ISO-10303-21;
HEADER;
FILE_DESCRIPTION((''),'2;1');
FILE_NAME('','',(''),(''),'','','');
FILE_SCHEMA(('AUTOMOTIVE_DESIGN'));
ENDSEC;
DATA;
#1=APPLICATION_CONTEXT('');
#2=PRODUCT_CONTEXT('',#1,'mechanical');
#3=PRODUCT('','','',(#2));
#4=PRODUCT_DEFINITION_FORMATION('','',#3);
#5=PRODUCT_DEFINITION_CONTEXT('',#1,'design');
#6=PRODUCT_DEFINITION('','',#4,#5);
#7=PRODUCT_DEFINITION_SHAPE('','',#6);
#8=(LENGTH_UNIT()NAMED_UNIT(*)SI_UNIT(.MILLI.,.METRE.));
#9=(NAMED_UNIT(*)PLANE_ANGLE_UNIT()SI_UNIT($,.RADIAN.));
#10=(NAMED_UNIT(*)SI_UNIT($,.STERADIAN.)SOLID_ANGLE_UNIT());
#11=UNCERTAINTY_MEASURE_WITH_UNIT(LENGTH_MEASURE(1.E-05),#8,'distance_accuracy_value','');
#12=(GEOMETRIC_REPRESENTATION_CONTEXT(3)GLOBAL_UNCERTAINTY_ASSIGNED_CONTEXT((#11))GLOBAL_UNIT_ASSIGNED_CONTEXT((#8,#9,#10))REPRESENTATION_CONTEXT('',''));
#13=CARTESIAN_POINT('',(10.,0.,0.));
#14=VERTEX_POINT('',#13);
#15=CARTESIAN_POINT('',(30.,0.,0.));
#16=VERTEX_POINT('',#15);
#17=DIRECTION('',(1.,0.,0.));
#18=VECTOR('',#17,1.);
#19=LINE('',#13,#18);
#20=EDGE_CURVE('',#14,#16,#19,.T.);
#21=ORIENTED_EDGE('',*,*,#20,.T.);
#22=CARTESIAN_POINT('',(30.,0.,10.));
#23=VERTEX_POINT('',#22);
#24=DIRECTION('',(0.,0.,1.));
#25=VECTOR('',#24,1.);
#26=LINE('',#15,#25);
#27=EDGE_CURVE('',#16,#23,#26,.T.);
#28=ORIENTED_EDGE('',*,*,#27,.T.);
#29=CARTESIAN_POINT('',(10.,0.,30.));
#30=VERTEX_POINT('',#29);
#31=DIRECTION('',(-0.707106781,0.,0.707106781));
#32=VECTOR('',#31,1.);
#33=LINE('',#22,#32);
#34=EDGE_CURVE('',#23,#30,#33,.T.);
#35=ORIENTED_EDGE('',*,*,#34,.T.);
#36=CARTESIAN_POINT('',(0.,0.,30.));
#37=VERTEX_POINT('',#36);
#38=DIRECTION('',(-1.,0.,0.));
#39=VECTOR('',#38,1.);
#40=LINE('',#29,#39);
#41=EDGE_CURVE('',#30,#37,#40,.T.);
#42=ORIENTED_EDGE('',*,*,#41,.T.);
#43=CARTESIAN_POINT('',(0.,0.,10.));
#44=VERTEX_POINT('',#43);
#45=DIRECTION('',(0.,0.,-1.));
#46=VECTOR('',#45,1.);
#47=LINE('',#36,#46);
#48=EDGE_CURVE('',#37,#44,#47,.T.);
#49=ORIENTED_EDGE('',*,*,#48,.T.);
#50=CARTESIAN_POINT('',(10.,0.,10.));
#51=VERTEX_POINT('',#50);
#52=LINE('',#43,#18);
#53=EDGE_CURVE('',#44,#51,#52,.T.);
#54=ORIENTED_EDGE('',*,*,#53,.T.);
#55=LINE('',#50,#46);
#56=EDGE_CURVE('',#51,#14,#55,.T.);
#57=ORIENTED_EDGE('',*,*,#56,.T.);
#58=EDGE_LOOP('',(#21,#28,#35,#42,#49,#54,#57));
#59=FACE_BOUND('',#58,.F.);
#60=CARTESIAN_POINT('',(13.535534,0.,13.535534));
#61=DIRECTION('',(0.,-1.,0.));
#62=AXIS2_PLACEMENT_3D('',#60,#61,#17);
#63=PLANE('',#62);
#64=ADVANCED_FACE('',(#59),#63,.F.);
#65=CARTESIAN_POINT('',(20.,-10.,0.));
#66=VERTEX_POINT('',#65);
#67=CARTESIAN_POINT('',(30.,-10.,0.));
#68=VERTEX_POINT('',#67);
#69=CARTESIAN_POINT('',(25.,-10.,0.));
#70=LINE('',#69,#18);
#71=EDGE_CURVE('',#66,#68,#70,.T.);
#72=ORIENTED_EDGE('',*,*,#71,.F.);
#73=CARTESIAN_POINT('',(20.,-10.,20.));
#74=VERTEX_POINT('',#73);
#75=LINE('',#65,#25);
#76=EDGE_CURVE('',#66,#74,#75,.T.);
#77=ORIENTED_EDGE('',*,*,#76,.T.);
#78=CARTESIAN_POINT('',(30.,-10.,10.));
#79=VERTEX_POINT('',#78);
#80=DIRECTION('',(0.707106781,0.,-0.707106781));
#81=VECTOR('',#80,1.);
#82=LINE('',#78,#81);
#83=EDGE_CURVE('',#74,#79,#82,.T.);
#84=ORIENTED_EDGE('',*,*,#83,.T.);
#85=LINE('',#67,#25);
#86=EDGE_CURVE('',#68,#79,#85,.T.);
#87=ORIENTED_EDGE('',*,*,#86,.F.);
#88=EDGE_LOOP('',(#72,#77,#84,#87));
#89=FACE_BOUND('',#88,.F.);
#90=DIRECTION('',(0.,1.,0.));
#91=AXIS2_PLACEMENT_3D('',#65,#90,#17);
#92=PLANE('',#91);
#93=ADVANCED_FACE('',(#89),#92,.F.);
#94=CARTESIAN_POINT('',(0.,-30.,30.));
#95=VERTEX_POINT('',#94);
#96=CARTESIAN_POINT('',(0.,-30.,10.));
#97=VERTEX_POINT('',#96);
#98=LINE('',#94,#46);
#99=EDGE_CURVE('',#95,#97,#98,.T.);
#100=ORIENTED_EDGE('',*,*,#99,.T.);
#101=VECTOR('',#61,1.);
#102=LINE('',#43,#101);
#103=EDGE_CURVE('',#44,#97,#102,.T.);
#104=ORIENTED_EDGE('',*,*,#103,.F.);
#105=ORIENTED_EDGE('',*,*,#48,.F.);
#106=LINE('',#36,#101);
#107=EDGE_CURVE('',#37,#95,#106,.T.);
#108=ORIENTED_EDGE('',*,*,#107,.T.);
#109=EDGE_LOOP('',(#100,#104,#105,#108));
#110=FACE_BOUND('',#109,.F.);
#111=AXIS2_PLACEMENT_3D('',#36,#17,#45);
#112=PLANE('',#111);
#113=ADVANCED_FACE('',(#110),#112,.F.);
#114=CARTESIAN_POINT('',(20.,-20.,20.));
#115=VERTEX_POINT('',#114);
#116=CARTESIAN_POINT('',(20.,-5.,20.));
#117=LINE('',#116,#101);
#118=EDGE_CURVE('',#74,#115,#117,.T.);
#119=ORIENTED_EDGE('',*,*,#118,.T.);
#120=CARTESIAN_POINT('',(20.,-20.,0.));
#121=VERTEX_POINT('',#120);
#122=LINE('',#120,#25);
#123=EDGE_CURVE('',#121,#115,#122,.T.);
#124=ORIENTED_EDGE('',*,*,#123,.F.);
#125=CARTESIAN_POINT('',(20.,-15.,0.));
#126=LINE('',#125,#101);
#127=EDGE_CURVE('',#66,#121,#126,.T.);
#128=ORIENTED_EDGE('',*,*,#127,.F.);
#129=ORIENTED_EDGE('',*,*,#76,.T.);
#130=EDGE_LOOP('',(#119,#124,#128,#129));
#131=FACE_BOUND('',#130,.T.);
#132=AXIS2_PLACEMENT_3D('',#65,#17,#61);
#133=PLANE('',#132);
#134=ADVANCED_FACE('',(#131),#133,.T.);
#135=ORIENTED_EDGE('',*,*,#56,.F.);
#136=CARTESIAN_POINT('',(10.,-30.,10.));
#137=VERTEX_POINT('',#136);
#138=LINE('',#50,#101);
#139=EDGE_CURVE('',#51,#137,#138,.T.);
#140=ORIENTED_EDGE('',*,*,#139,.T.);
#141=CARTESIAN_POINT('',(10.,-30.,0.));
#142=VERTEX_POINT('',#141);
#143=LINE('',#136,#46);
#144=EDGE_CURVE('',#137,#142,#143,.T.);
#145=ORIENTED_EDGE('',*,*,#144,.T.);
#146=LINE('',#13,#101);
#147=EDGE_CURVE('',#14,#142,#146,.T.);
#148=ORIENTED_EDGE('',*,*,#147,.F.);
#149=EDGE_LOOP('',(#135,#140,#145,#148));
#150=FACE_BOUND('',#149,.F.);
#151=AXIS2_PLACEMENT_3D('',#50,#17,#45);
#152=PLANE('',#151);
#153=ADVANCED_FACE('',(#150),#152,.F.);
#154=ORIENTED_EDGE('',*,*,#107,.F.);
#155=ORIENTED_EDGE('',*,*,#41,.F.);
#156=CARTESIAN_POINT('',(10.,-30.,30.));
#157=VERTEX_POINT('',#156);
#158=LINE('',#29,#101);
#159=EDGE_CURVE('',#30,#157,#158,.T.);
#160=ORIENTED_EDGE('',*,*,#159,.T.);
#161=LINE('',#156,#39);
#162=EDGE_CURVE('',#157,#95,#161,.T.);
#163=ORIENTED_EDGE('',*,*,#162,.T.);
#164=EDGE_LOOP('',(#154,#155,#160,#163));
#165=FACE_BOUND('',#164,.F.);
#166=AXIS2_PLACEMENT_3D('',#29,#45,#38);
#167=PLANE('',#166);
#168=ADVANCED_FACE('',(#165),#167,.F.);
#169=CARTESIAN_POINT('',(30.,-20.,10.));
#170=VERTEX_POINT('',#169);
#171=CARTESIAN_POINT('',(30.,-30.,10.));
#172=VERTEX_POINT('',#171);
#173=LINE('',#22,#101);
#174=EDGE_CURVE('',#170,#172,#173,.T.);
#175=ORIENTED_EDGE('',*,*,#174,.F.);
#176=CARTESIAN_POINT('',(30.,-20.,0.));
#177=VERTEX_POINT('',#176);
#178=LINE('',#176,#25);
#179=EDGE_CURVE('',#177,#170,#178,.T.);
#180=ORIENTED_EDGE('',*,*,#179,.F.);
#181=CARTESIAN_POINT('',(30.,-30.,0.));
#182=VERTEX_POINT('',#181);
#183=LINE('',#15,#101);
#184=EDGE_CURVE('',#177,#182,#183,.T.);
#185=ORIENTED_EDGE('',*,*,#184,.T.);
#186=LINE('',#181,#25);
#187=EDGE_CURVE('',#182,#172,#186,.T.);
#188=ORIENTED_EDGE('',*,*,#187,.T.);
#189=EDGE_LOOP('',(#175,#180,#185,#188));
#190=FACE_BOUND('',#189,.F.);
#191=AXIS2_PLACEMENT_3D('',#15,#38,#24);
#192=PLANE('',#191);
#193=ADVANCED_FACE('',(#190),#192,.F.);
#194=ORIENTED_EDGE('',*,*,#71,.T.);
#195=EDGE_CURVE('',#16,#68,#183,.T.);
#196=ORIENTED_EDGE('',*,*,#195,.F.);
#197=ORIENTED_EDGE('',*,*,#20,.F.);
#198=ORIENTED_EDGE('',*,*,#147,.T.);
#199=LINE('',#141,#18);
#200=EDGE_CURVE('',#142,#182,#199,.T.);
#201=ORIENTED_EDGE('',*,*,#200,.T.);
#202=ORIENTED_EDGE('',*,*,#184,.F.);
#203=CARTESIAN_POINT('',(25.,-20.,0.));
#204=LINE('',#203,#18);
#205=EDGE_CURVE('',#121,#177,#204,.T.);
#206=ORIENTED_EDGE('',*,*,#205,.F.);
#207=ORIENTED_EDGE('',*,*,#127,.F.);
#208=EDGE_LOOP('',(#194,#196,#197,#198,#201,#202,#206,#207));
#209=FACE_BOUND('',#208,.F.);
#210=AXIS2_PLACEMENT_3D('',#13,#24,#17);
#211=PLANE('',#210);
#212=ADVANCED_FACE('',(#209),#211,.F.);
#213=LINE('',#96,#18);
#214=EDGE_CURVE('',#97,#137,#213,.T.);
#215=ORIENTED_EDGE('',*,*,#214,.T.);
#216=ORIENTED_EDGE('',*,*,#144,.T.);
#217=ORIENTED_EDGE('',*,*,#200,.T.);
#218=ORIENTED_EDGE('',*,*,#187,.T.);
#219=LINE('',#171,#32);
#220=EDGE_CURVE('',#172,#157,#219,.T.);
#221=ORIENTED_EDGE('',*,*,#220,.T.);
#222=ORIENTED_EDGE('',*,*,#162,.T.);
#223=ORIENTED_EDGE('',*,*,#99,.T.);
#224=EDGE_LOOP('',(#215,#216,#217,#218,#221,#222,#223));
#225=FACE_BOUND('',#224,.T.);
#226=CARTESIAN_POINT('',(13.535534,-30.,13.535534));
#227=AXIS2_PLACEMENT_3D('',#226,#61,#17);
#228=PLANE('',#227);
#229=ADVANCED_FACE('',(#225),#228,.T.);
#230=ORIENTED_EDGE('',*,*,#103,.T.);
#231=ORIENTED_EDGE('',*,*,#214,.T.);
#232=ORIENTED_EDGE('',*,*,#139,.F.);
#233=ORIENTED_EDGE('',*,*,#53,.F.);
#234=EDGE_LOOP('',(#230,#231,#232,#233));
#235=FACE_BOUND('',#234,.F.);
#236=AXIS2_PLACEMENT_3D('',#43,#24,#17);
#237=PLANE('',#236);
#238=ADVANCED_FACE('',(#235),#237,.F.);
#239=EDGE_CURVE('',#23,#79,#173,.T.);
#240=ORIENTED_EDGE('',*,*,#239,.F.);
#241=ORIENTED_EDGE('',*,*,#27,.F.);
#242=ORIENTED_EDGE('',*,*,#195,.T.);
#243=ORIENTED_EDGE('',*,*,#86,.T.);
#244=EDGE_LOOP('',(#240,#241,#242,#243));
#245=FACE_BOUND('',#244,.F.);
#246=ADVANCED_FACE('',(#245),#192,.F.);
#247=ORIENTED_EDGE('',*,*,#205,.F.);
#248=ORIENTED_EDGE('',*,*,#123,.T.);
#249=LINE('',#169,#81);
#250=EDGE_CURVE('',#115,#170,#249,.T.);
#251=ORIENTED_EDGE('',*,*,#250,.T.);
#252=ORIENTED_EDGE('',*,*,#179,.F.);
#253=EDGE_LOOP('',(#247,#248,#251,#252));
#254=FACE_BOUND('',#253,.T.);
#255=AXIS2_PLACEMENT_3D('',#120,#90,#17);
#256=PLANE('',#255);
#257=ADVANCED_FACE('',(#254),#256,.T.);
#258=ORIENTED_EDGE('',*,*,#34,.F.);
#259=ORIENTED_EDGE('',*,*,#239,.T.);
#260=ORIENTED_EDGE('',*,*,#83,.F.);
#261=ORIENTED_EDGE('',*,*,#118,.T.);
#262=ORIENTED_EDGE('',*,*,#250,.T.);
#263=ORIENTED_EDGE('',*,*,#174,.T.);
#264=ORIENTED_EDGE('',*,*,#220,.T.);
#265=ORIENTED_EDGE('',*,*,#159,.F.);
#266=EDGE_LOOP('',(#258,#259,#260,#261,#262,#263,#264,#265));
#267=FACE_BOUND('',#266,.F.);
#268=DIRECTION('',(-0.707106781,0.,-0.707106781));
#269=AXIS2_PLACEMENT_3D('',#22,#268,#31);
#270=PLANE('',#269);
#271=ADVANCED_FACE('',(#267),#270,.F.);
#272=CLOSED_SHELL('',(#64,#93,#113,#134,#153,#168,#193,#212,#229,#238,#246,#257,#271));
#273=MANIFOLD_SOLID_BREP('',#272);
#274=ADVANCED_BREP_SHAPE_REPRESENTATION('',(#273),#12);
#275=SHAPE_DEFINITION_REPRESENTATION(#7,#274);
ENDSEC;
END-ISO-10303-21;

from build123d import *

# Parameters (mm, degrees)
F1_DEPTH = 30
F2_W     = 10
F2_H     = 10
F3_DEPTH = 30.001


with BuildPart() as f1:
    # F0 (on Front) → F1 (new body)
    with BuildSketch(Plane.XZ):
        Polygon((10, 10), (10, 0), (30, 0), (30, 10), (10, 30), (0, 30), (0, 10), align=None)
    extrude(amount=F1_DEPTH)

    # F2 (on face) → F3 (cut, through all)
    with BuildSketch(Plane(origin=(0, 0, 0), x_dir=(1, 0, 0), z_dir=(0, 0, -1))):
        with Locations((25, 15)):
            Rectangle(F2_W, F2_H)
    extrude(amount=-F3_DEPTH, mode=Mode.SUBTRACT)


solid = f1.part
